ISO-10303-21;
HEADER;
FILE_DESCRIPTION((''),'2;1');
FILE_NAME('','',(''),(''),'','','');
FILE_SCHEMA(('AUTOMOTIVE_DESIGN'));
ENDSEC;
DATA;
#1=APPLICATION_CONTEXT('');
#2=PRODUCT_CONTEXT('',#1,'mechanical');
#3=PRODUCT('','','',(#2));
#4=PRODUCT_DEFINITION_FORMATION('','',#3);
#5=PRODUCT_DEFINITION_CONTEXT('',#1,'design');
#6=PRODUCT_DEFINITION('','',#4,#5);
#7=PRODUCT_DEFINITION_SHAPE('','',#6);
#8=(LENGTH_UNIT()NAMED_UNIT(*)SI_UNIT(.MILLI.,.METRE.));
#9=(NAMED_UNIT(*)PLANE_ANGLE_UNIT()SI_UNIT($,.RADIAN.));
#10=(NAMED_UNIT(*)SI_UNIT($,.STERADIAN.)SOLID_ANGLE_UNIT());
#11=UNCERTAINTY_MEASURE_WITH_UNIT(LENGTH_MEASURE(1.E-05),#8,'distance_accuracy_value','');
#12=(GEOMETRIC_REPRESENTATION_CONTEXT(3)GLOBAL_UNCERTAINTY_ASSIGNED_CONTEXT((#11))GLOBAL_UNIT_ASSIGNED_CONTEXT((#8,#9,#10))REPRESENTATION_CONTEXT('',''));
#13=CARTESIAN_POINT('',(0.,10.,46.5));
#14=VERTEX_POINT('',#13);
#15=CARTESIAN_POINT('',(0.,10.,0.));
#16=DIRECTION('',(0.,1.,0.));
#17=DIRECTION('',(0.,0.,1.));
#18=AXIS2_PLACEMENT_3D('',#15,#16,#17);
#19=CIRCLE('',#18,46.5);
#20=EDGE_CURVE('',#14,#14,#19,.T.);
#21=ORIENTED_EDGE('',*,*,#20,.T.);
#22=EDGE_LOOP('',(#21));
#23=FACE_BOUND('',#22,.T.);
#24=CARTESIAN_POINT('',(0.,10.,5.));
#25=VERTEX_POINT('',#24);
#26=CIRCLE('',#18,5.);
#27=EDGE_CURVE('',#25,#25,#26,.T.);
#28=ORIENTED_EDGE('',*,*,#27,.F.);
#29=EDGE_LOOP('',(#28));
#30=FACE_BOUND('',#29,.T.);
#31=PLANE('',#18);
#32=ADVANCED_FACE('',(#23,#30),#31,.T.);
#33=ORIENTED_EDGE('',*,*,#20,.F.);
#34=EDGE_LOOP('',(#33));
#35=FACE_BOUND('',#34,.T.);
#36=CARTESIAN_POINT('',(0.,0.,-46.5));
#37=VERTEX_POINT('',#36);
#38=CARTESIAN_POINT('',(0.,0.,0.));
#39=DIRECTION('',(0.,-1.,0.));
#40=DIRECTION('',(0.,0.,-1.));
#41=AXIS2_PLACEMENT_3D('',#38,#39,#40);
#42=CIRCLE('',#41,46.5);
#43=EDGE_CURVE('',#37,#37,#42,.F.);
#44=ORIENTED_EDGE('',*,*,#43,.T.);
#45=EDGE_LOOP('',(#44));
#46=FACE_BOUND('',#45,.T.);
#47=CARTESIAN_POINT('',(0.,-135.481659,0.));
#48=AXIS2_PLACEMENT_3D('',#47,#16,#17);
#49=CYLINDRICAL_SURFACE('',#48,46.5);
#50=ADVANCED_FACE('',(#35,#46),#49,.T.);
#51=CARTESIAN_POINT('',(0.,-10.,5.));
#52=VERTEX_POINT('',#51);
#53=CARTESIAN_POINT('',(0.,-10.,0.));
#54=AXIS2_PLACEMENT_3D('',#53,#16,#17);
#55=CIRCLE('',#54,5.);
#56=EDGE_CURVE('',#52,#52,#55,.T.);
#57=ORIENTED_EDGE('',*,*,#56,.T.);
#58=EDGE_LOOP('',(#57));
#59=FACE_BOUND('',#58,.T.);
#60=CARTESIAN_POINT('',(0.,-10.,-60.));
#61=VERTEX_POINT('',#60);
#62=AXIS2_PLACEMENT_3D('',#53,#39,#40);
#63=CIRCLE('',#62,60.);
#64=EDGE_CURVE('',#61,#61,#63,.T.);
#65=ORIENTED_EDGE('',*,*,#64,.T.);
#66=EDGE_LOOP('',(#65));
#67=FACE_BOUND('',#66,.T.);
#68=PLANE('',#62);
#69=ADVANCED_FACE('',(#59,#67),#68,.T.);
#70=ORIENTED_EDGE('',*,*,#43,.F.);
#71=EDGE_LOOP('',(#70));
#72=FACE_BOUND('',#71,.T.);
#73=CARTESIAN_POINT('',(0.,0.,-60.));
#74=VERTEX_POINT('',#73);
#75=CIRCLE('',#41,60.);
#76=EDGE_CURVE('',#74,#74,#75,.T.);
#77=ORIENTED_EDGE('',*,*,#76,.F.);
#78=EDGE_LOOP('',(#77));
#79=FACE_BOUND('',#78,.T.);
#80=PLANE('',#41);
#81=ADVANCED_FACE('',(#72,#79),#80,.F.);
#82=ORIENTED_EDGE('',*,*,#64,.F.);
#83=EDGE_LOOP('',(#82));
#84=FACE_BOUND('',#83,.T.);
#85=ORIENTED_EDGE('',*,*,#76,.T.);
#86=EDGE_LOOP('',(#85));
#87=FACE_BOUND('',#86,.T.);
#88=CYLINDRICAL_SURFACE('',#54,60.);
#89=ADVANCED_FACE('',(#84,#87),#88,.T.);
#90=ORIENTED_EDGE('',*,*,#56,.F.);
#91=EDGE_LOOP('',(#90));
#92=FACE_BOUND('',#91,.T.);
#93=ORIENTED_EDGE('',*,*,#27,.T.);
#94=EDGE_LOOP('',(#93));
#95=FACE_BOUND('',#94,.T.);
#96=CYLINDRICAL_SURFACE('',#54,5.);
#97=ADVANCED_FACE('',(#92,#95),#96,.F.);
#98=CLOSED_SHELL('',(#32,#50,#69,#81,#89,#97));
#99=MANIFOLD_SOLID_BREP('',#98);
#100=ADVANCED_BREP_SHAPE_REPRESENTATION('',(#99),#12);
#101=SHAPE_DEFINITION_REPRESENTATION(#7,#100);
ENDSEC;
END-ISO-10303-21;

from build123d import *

# Parameters (mm, degrees)
ESQUISSE1_R             = 47.9
BOSS_EXTRU_1_DEPTH      = 10
ESQUISSE2_R             = 60
BOSS_EXTRU_2_DEPTH      = 10
ENL_V_START             = -10
ESQUISSE4_R             = 47.9
ESQUISSE4_R_2           = 46.5
ENL_V_MAT_EXTRU_1_DEPTH = 10
ESQUISSE5_R             = 5
ENL_V_MAT_EXTRU_2_DEPTH = 88.177978871


with BuildPart() as part:
    # Esquisse1 → Boss.-Extru.1 (new body)
    with BuildSketch(Plane(origin=(0, 0, 0), x_dir=(1, 0, 0), z_dir=(0, 1, 0))):
        with Locations(Location((0, 0, 0), (0, 0, 270))):
            Circle(ESQUISSE1_R)
    extrude(amount=BOSS_EXTRU_1_DEPTH)

    # Esquisse2 → Boss.-Extru.2 (add)
    with BuildSketch(Plane.XZ):
        with Locations(Location((0, 0, 0), (0, 0, 270))):
            Circle(ESQUISSE2_R)
    extrude(amount=BOSS_EXTRU_2_DEPTH)

    # Esquisse4 → Enlèv. mat.-Extru.1 (cut)
    with BuildSketch(Plane(origin=(0, 10, 0), x_dir=(1, 0, 0), z_dir=(0, 1, 0)).offset(ENL_V_START)):
        Circle(ESQUISSE4_R)
        with Locations(Location((0, 0, 0), (0, 0, 270))):
            Circle(ESQUISSE4_R_2, mode=Mode.SUBTRACT)
    extrude(amount=ENL_V_MAT_EXTRU_1_DEPTH, mode=Mode.SUBTRACT)

    # Esquisse5 → Enlèv. mat.-Extru.2 (cut, through all)
    with BuildSketch(Plane(origin=(0, 10, 0), x_dir=(1, 0, 0), z_dir=(0, 1, 0))):
        with Locations(Location((0, 0, 0), (0, 0, 270))):
            Circle(ESQUISSE5_R)
    extrude(amount=-ENL_V_MAT_EXTRU_2_DEPTH, mode=Mode.SUBTRACT)


solid = part.part
